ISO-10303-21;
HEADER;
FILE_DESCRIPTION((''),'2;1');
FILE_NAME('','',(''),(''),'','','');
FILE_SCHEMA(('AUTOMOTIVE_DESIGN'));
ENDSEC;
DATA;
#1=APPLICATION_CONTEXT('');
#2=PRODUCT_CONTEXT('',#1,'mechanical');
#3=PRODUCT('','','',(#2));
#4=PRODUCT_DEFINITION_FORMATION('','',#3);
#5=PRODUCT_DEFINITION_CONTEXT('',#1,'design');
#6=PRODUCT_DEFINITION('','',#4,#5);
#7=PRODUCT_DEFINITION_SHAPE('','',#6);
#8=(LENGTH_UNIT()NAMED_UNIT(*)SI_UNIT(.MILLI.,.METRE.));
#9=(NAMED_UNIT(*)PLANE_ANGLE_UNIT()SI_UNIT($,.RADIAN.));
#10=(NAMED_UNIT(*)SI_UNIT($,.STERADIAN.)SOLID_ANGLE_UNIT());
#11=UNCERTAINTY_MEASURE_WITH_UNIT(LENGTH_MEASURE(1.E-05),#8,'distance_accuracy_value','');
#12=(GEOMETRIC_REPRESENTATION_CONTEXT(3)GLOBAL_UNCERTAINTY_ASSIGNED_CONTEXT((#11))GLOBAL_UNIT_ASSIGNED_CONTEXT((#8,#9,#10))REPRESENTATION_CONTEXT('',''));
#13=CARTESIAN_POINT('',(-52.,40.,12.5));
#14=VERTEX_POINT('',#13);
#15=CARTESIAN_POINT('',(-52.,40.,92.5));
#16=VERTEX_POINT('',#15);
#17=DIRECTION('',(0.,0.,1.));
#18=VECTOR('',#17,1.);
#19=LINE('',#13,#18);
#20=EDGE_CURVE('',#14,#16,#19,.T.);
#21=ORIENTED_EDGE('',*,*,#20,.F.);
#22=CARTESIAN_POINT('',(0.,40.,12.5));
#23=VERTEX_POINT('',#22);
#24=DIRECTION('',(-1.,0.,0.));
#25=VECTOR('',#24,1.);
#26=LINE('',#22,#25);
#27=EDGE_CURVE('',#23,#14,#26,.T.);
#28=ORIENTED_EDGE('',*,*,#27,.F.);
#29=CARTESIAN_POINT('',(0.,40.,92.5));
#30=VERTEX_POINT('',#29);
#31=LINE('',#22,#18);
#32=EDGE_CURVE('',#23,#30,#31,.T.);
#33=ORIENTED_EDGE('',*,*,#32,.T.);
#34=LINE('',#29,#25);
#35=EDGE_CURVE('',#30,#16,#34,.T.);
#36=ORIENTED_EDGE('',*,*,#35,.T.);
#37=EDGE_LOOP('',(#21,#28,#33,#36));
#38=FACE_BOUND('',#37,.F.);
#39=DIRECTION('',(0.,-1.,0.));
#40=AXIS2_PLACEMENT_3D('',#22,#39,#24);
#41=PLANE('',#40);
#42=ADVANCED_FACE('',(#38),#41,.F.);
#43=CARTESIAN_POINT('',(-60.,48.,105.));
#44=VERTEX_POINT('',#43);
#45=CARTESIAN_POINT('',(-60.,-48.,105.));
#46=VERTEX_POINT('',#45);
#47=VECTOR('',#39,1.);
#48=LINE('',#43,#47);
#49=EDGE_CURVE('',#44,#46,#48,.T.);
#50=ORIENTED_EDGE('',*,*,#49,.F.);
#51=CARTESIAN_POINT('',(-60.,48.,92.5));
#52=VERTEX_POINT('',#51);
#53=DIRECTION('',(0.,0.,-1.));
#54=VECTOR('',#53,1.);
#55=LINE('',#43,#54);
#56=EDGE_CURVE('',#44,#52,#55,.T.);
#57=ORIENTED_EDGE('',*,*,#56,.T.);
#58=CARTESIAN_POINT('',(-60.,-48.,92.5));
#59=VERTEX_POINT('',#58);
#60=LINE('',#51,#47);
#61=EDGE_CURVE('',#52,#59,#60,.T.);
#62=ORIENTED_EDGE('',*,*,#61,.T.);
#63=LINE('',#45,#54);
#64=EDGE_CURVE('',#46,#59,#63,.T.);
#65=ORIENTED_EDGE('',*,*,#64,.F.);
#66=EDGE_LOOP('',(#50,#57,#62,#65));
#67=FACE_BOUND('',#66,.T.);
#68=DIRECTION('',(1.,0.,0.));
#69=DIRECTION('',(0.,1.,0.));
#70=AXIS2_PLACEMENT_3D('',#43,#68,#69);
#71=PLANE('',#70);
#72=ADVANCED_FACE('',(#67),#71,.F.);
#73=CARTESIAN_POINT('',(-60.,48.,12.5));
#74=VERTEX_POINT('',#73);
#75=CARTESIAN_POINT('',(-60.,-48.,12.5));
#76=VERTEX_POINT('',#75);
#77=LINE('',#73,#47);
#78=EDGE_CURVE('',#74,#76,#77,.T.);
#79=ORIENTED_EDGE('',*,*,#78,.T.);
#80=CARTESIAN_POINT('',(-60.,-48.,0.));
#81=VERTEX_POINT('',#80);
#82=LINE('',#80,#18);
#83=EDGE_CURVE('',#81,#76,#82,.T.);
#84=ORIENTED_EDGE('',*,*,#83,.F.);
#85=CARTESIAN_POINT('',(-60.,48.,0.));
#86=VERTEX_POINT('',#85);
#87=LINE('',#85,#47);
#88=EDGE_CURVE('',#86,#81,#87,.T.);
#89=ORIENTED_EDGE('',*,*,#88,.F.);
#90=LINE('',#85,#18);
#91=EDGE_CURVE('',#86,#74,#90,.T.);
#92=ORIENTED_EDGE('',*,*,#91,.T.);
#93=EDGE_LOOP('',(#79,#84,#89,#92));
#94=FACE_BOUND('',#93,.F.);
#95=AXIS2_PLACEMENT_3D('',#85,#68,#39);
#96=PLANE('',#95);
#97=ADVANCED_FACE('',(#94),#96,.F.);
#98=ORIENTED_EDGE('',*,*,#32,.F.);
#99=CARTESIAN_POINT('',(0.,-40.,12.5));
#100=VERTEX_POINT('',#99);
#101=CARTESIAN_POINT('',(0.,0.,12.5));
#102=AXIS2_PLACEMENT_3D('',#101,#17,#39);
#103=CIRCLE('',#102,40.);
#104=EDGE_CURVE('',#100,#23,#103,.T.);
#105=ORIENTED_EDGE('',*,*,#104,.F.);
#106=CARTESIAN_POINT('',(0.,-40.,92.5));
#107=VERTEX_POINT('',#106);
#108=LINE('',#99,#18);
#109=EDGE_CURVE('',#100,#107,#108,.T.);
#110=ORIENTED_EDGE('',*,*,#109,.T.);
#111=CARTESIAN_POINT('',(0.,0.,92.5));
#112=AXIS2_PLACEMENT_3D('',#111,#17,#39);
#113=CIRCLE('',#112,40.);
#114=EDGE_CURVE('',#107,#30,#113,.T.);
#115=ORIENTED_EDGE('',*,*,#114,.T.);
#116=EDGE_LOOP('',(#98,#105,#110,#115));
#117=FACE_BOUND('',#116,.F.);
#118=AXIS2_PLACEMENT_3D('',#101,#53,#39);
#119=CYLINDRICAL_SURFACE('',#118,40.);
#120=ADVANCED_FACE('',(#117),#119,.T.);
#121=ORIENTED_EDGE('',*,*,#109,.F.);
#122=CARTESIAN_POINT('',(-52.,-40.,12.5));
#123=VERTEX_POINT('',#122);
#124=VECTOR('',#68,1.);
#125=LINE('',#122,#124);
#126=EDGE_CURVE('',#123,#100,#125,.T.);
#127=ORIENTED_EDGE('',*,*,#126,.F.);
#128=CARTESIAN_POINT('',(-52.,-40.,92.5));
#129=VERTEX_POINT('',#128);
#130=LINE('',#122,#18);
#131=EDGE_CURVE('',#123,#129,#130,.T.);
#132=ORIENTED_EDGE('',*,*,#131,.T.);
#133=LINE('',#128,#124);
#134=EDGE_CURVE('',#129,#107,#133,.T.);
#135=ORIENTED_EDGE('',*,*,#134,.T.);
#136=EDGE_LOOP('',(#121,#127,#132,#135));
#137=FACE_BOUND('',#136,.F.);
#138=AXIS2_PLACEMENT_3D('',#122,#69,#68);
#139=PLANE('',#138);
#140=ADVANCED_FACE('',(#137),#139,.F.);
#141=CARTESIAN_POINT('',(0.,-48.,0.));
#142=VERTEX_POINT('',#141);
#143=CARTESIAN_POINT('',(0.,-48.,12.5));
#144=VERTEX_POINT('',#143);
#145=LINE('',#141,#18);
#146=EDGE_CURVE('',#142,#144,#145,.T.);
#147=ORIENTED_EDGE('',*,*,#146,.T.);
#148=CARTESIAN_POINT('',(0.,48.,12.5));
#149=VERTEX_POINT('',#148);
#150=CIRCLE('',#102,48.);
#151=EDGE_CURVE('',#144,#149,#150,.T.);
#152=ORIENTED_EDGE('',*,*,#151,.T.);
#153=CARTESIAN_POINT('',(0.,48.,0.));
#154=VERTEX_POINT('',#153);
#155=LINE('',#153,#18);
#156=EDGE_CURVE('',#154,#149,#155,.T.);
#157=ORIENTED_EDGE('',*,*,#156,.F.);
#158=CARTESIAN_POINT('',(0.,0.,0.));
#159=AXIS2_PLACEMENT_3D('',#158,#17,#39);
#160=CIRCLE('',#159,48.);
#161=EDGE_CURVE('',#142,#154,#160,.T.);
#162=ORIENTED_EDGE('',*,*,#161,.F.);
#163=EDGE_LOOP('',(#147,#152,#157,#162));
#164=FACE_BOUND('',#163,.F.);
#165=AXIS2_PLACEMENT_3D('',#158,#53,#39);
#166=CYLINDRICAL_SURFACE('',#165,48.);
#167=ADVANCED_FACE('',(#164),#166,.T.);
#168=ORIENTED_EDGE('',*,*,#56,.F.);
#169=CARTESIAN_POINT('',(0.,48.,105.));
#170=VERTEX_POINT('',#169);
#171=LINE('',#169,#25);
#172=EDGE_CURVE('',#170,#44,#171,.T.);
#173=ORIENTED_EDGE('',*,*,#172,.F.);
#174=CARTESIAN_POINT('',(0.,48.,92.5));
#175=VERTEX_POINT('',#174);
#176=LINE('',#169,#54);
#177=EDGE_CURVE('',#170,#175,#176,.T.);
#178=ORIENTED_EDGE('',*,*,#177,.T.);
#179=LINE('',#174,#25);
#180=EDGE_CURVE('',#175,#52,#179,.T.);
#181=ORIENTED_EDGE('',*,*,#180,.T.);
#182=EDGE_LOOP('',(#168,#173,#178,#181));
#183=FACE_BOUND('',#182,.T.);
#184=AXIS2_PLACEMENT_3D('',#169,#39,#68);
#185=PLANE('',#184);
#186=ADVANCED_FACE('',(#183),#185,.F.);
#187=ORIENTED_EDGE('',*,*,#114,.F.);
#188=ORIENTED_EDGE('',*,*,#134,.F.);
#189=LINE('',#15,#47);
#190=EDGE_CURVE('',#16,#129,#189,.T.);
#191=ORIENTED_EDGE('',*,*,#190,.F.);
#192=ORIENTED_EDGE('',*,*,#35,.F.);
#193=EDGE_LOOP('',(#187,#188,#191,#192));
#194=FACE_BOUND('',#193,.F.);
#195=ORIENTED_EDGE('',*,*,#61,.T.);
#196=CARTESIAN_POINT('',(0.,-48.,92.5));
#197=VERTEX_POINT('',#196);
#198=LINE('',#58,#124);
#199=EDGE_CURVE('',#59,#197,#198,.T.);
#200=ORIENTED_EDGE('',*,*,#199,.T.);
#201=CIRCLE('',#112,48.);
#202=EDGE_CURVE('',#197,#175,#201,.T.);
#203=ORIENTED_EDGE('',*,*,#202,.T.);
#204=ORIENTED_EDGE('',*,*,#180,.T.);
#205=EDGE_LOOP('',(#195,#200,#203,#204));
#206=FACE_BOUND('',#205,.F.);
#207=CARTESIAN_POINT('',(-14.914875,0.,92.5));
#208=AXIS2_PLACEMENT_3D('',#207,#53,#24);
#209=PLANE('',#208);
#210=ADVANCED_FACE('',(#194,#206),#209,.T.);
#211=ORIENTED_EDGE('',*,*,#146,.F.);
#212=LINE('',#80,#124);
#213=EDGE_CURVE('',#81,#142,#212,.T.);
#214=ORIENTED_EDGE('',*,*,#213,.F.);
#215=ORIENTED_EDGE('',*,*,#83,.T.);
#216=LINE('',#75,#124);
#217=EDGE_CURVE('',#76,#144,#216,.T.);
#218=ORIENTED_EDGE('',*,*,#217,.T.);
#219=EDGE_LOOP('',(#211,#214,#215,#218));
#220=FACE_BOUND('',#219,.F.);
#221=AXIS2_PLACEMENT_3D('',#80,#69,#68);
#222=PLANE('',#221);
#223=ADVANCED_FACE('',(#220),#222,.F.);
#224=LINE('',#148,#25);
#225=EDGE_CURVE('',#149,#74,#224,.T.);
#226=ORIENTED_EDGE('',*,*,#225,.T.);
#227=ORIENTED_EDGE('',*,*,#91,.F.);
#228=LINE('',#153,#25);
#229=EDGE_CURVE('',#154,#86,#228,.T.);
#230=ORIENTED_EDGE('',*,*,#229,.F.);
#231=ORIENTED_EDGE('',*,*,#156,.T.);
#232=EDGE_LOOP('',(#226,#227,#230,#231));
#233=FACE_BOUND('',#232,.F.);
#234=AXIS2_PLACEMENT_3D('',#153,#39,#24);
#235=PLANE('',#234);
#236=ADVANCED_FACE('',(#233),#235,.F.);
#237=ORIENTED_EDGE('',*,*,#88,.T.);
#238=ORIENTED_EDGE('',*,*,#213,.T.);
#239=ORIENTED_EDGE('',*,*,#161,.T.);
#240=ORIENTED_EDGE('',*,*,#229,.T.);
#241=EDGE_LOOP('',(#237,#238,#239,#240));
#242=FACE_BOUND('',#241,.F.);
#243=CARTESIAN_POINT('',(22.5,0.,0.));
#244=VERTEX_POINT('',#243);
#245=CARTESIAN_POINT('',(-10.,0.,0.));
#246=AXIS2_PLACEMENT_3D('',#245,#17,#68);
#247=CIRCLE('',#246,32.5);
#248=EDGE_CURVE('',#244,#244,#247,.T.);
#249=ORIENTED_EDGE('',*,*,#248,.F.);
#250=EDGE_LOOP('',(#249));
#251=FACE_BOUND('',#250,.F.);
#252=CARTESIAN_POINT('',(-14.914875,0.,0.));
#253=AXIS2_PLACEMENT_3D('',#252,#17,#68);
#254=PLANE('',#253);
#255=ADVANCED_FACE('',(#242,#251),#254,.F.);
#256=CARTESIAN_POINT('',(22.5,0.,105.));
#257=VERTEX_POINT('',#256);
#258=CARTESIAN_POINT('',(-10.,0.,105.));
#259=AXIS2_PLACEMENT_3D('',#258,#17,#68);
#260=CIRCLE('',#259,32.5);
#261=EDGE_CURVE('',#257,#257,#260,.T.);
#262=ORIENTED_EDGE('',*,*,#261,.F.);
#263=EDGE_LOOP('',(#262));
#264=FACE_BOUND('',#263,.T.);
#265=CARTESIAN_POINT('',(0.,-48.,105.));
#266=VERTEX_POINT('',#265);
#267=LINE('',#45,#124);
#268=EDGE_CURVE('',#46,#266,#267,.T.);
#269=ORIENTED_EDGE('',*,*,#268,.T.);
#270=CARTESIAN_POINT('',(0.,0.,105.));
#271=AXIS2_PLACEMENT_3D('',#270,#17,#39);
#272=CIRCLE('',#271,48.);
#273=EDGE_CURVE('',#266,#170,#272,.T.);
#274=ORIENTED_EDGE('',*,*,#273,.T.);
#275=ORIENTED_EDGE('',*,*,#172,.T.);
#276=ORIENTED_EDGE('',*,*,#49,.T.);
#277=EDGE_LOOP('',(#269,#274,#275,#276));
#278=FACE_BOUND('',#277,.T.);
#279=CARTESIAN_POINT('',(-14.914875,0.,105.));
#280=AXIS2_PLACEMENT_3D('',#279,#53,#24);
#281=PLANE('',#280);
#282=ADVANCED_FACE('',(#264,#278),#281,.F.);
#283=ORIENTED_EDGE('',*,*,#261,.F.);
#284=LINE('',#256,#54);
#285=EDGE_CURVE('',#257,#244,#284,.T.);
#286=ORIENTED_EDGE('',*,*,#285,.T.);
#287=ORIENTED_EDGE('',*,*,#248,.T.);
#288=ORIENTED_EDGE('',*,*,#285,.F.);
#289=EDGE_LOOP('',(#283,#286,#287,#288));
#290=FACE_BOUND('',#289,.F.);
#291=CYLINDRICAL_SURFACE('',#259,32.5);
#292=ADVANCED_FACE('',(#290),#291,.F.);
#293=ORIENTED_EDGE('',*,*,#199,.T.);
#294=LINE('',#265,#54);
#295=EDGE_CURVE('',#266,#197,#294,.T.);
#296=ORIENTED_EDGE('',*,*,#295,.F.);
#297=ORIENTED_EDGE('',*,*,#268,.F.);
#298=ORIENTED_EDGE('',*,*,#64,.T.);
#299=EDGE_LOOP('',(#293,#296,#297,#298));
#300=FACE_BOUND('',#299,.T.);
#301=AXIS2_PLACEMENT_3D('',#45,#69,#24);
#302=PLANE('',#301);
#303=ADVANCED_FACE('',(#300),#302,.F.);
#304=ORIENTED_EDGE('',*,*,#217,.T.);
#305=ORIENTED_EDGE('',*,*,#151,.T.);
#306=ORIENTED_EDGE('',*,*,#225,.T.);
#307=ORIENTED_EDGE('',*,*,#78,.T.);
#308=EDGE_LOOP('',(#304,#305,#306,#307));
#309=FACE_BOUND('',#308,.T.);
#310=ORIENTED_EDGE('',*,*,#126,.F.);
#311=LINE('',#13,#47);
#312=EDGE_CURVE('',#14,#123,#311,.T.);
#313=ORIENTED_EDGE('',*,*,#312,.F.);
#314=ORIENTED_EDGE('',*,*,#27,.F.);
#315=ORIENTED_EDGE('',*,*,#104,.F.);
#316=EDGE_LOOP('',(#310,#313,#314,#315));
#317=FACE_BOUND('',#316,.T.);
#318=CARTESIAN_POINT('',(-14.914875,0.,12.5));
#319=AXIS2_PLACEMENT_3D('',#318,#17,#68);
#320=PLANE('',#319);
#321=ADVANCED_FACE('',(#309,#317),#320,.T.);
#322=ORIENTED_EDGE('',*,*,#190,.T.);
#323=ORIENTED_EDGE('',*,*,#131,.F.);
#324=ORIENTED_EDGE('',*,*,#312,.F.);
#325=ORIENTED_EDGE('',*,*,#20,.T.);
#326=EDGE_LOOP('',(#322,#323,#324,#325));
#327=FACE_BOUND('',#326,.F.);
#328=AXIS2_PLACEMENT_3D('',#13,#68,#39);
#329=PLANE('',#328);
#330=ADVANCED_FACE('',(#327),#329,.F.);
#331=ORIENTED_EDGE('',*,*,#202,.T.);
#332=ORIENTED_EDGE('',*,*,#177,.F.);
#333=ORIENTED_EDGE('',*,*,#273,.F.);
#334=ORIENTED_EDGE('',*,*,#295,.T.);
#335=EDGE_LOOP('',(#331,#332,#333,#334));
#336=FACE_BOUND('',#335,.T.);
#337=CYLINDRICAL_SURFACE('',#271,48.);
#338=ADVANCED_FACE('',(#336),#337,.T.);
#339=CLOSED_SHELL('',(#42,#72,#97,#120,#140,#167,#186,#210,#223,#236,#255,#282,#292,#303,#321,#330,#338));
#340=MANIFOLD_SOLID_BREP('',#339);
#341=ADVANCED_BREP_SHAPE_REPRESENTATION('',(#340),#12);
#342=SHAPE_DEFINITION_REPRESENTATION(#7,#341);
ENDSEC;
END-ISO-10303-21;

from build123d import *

# Parameters (mm, degrees)
BOSS_EXTRUDE1_DEPTH = 12.5
BOSS_EXTRUDE2_DEPTH = 80
SKETCH3_R           = 32.5
CUT_EXTRUDE1_DEPTH  = 120


with BuildPart() as part:
    # Sketch1 → Boss-Extrude1 (new body)
    with BuildSketch(Plane.XY):
        with BuildLine():
            Line((0, 48), (-60, 48))
            Line((-60, 48), (-60, -48))
            Line((-60, -48), (0, -48))
            ThreePointArc((0, -48), (48, 0), (0, 48))
        make_face()
    extrude(amount=BOSS_EXTRUDE1_DEPTH)

    # Sketch2 → Boss-Extrude2 (add)
    with BuildSketch(Plane.XY.offset(12.5)):
        with BuildLine():
            Line((0, 40), (-52, 40))
            Line((-52, 40), (-52, -40))
            Line((-52, -40), (0, -40))
            ThreePointArc((0, -40), (40, 0), (0, 40))
        make_face()
    extrude(amount=BOSS_EXTRUDE2_DEPTH)

    # Mirror1: part across plane


with BuildPart() as part_1:
    add(part.part)
    add(part.part.mirror(Plane.XY.offset(52.5)))

    # Sketch3 → Cut-Extrude1 (cut)
    with BuildSketch(Plane.XY.offset(105)):
        with Locations((-10, 0)):
            Circle(SKETCH3_R)
    extrude(amount=-CUT_EXTRUDE1_DEPTH, mode=Mode.SUBTRACT)


solid = part_1.part
